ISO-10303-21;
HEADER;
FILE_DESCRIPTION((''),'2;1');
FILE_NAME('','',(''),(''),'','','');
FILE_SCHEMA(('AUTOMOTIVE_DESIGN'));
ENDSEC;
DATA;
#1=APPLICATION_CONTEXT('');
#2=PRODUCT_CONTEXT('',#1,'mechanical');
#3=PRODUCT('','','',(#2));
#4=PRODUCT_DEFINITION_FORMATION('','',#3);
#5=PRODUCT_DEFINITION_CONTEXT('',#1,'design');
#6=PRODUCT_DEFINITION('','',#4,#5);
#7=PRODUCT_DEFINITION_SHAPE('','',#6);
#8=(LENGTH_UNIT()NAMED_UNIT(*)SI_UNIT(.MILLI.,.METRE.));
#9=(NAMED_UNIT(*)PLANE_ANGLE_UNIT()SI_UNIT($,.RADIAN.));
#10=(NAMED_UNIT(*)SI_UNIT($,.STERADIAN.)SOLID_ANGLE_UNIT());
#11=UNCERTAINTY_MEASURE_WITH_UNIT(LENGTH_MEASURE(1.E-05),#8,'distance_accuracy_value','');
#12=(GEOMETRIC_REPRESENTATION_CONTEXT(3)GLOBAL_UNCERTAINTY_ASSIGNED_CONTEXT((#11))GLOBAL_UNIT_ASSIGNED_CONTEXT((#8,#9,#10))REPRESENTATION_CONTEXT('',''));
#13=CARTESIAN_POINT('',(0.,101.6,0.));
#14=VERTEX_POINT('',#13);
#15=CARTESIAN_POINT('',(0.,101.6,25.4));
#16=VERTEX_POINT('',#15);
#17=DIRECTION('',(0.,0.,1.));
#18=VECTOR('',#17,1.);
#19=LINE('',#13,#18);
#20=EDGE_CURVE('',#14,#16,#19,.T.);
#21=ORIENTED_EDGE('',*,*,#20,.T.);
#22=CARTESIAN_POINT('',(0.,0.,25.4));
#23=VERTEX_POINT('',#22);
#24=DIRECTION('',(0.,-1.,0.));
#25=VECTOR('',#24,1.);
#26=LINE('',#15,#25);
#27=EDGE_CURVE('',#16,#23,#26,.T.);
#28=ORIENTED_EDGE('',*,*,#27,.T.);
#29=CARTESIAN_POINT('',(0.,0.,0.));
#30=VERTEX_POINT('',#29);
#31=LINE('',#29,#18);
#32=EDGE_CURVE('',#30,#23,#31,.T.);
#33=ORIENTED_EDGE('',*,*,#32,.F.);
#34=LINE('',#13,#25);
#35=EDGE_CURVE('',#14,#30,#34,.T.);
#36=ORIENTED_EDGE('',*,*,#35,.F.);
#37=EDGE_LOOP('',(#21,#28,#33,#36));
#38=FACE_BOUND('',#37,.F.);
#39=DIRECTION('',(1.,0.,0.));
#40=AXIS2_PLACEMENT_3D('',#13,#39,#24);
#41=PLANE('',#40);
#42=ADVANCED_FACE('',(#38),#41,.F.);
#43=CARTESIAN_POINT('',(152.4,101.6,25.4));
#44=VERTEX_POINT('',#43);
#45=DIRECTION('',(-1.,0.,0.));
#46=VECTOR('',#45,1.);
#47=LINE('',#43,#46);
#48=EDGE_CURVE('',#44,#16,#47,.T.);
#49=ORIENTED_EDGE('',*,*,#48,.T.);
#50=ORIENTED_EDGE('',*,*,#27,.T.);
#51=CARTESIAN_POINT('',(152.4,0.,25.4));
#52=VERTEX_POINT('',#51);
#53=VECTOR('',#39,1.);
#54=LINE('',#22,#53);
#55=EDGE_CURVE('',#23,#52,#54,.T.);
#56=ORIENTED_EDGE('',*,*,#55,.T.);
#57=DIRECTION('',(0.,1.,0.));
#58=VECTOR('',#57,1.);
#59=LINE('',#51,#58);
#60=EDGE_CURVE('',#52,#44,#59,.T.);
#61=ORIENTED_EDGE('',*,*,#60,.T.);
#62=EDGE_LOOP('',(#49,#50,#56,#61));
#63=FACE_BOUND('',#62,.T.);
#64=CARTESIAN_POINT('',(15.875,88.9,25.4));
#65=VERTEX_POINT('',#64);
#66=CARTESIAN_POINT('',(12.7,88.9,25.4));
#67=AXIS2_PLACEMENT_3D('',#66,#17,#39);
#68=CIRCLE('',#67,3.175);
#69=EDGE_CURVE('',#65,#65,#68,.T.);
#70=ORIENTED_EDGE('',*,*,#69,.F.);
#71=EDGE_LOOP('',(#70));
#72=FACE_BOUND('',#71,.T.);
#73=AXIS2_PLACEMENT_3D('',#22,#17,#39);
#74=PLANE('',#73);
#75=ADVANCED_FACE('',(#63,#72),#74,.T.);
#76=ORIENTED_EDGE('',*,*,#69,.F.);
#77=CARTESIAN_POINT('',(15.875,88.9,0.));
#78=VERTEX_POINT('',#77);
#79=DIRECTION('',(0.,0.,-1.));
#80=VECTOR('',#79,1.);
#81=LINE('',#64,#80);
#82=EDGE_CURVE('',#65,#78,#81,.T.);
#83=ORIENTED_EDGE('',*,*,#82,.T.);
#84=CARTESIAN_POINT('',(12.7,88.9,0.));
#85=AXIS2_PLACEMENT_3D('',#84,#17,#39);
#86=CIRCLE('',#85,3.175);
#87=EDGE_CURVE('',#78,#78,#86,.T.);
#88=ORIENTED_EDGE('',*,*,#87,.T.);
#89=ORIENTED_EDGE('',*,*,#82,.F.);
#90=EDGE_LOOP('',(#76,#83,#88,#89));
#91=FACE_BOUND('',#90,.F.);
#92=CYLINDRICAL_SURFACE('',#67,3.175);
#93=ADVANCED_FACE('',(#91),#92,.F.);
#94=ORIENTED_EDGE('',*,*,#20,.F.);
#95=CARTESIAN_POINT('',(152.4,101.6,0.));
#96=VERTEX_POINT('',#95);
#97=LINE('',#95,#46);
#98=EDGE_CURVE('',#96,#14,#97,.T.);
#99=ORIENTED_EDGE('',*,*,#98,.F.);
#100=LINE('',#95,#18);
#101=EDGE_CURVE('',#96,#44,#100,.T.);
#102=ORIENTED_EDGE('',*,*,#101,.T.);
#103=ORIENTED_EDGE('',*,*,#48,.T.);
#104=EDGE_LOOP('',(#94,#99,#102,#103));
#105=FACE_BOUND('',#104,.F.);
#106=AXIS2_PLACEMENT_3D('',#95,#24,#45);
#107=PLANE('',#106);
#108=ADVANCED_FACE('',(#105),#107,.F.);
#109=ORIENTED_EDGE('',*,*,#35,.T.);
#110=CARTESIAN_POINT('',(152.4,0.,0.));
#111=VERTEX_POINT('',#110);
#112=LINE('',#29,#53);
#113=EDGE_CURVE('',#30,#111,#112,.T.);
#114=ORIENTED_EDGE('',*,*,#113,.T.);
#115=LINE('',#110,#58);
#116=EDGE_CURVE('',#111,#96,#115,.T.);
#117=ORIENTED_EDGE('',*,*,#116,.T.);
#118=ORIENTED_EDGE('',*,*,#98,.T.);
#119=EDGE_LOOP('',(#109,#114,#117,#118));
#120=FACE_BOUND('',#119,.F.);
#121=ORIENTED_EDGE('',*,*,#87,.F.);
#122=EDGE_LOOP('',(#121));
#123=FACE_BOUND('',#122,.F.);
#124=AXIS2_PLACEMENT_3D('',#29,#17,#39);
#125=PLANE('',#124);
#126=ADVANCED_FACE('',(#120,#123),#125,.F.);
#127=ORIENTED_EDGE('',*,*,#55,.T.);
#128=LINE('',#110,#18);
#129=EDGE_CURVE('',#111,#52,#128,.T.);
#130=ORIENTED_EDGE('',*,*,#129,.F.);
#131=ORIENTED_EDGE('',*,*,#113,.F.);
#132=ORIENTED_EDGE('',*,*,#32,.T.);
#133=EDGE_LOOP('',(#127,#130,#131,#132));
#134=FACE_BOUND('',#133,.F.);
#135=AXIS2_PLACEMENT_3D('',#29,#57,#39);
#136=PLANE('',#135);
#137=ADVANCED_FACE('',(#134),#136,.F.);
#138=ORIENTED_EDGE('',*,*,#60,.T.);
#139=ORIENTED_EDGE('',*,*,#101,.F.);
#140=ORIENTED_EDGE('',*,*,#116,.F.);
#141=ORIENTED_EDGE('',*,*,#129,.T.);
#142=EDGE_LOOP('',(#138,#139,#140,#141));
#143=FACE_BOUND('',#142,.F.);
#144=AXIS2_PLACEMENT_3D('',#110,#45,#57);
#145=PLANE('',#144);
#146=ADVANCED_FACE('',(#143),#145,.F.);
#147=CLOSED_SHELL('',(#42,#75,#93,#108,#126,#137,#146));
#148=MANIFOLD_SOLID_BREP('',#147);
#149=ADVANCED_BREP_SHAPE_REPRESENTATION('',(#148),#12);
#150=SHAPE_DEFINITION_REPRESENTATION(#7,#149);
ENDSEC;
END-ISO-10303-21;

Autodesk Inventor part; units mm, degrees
ref_plane "YZ Plane" through (0, 0, 0) normal (1, 0, 0) x (0, 1, 0)
ref_plane "XZ Plane" through (0, 0, 0) normal (0, 1, 0) x (-1, 0, 0)
ref_plane "XY Plane" through (0, 0, 0) normal (0, 0, 1) x (1, 0, 0)
sketch "Sketch1" plane through (0, 0, 0) normal (0, 0, 1) x (1, 0, 0)
  line L0 (0, 0) -> (152.4, 0)
  line L1 (152.4, 0) -> (152.4, 101.6)
  line L2 (152.4, 101.6) -> (0, 101.6)
  line L3 (0, 101.6) -> (0, 0)
  dimension "d0" = 152.4
  dimension "d1" = 101.6
extrude "Extrusion1" add sketch "Sketch1" along normal blind 25.4
sketch "Sketch2" plane through (0, 0, 25.4) normal (0, 0, 1) x (1, 0, 0)
  line L0 (152.4, 101.6) -> (0, 101.6) projected
  line L1 (0, 101.6) -> (0, 0) projected
  circle A0 centre (12.7, 88.9) radius 3.175
  dimension "d4" = 6.35
  dimension "d5" = 12.7
  dimension "d6" = 12.7
extrude "Extrusion2" cut sketch "Sketch2" against normal through all
sketch "Sketch3" plane through (0, 0, 25.4) normal (0, 0, 1) x (1, 0, 0)
  circle A0 centre (12.7, 88.9) radius 3.175 projected
  line L0 (0, 0) -> (152.4, 0) projected
  line L1 (152.4, 0) -> (152.4, 101.6) projected
  line L2 (152.4, 101.6) -> (0, 101.6) projected
  line L3 (0, 101.6) -> (0, 0) projected
  line L4 (12.7, 88.9) -> (115.5228, 95.2014) construction
  line L5 (115.5228, 95.2014) -> (139.9001, 15.1047) construction
  spline S0 degree 2 poles (12.7, 88.9) (115.5228, 95.2014) (139.9001, 15.1047) knots 1 1 1 2 2 2
properties part number "Rectangular Pattern Curve"
